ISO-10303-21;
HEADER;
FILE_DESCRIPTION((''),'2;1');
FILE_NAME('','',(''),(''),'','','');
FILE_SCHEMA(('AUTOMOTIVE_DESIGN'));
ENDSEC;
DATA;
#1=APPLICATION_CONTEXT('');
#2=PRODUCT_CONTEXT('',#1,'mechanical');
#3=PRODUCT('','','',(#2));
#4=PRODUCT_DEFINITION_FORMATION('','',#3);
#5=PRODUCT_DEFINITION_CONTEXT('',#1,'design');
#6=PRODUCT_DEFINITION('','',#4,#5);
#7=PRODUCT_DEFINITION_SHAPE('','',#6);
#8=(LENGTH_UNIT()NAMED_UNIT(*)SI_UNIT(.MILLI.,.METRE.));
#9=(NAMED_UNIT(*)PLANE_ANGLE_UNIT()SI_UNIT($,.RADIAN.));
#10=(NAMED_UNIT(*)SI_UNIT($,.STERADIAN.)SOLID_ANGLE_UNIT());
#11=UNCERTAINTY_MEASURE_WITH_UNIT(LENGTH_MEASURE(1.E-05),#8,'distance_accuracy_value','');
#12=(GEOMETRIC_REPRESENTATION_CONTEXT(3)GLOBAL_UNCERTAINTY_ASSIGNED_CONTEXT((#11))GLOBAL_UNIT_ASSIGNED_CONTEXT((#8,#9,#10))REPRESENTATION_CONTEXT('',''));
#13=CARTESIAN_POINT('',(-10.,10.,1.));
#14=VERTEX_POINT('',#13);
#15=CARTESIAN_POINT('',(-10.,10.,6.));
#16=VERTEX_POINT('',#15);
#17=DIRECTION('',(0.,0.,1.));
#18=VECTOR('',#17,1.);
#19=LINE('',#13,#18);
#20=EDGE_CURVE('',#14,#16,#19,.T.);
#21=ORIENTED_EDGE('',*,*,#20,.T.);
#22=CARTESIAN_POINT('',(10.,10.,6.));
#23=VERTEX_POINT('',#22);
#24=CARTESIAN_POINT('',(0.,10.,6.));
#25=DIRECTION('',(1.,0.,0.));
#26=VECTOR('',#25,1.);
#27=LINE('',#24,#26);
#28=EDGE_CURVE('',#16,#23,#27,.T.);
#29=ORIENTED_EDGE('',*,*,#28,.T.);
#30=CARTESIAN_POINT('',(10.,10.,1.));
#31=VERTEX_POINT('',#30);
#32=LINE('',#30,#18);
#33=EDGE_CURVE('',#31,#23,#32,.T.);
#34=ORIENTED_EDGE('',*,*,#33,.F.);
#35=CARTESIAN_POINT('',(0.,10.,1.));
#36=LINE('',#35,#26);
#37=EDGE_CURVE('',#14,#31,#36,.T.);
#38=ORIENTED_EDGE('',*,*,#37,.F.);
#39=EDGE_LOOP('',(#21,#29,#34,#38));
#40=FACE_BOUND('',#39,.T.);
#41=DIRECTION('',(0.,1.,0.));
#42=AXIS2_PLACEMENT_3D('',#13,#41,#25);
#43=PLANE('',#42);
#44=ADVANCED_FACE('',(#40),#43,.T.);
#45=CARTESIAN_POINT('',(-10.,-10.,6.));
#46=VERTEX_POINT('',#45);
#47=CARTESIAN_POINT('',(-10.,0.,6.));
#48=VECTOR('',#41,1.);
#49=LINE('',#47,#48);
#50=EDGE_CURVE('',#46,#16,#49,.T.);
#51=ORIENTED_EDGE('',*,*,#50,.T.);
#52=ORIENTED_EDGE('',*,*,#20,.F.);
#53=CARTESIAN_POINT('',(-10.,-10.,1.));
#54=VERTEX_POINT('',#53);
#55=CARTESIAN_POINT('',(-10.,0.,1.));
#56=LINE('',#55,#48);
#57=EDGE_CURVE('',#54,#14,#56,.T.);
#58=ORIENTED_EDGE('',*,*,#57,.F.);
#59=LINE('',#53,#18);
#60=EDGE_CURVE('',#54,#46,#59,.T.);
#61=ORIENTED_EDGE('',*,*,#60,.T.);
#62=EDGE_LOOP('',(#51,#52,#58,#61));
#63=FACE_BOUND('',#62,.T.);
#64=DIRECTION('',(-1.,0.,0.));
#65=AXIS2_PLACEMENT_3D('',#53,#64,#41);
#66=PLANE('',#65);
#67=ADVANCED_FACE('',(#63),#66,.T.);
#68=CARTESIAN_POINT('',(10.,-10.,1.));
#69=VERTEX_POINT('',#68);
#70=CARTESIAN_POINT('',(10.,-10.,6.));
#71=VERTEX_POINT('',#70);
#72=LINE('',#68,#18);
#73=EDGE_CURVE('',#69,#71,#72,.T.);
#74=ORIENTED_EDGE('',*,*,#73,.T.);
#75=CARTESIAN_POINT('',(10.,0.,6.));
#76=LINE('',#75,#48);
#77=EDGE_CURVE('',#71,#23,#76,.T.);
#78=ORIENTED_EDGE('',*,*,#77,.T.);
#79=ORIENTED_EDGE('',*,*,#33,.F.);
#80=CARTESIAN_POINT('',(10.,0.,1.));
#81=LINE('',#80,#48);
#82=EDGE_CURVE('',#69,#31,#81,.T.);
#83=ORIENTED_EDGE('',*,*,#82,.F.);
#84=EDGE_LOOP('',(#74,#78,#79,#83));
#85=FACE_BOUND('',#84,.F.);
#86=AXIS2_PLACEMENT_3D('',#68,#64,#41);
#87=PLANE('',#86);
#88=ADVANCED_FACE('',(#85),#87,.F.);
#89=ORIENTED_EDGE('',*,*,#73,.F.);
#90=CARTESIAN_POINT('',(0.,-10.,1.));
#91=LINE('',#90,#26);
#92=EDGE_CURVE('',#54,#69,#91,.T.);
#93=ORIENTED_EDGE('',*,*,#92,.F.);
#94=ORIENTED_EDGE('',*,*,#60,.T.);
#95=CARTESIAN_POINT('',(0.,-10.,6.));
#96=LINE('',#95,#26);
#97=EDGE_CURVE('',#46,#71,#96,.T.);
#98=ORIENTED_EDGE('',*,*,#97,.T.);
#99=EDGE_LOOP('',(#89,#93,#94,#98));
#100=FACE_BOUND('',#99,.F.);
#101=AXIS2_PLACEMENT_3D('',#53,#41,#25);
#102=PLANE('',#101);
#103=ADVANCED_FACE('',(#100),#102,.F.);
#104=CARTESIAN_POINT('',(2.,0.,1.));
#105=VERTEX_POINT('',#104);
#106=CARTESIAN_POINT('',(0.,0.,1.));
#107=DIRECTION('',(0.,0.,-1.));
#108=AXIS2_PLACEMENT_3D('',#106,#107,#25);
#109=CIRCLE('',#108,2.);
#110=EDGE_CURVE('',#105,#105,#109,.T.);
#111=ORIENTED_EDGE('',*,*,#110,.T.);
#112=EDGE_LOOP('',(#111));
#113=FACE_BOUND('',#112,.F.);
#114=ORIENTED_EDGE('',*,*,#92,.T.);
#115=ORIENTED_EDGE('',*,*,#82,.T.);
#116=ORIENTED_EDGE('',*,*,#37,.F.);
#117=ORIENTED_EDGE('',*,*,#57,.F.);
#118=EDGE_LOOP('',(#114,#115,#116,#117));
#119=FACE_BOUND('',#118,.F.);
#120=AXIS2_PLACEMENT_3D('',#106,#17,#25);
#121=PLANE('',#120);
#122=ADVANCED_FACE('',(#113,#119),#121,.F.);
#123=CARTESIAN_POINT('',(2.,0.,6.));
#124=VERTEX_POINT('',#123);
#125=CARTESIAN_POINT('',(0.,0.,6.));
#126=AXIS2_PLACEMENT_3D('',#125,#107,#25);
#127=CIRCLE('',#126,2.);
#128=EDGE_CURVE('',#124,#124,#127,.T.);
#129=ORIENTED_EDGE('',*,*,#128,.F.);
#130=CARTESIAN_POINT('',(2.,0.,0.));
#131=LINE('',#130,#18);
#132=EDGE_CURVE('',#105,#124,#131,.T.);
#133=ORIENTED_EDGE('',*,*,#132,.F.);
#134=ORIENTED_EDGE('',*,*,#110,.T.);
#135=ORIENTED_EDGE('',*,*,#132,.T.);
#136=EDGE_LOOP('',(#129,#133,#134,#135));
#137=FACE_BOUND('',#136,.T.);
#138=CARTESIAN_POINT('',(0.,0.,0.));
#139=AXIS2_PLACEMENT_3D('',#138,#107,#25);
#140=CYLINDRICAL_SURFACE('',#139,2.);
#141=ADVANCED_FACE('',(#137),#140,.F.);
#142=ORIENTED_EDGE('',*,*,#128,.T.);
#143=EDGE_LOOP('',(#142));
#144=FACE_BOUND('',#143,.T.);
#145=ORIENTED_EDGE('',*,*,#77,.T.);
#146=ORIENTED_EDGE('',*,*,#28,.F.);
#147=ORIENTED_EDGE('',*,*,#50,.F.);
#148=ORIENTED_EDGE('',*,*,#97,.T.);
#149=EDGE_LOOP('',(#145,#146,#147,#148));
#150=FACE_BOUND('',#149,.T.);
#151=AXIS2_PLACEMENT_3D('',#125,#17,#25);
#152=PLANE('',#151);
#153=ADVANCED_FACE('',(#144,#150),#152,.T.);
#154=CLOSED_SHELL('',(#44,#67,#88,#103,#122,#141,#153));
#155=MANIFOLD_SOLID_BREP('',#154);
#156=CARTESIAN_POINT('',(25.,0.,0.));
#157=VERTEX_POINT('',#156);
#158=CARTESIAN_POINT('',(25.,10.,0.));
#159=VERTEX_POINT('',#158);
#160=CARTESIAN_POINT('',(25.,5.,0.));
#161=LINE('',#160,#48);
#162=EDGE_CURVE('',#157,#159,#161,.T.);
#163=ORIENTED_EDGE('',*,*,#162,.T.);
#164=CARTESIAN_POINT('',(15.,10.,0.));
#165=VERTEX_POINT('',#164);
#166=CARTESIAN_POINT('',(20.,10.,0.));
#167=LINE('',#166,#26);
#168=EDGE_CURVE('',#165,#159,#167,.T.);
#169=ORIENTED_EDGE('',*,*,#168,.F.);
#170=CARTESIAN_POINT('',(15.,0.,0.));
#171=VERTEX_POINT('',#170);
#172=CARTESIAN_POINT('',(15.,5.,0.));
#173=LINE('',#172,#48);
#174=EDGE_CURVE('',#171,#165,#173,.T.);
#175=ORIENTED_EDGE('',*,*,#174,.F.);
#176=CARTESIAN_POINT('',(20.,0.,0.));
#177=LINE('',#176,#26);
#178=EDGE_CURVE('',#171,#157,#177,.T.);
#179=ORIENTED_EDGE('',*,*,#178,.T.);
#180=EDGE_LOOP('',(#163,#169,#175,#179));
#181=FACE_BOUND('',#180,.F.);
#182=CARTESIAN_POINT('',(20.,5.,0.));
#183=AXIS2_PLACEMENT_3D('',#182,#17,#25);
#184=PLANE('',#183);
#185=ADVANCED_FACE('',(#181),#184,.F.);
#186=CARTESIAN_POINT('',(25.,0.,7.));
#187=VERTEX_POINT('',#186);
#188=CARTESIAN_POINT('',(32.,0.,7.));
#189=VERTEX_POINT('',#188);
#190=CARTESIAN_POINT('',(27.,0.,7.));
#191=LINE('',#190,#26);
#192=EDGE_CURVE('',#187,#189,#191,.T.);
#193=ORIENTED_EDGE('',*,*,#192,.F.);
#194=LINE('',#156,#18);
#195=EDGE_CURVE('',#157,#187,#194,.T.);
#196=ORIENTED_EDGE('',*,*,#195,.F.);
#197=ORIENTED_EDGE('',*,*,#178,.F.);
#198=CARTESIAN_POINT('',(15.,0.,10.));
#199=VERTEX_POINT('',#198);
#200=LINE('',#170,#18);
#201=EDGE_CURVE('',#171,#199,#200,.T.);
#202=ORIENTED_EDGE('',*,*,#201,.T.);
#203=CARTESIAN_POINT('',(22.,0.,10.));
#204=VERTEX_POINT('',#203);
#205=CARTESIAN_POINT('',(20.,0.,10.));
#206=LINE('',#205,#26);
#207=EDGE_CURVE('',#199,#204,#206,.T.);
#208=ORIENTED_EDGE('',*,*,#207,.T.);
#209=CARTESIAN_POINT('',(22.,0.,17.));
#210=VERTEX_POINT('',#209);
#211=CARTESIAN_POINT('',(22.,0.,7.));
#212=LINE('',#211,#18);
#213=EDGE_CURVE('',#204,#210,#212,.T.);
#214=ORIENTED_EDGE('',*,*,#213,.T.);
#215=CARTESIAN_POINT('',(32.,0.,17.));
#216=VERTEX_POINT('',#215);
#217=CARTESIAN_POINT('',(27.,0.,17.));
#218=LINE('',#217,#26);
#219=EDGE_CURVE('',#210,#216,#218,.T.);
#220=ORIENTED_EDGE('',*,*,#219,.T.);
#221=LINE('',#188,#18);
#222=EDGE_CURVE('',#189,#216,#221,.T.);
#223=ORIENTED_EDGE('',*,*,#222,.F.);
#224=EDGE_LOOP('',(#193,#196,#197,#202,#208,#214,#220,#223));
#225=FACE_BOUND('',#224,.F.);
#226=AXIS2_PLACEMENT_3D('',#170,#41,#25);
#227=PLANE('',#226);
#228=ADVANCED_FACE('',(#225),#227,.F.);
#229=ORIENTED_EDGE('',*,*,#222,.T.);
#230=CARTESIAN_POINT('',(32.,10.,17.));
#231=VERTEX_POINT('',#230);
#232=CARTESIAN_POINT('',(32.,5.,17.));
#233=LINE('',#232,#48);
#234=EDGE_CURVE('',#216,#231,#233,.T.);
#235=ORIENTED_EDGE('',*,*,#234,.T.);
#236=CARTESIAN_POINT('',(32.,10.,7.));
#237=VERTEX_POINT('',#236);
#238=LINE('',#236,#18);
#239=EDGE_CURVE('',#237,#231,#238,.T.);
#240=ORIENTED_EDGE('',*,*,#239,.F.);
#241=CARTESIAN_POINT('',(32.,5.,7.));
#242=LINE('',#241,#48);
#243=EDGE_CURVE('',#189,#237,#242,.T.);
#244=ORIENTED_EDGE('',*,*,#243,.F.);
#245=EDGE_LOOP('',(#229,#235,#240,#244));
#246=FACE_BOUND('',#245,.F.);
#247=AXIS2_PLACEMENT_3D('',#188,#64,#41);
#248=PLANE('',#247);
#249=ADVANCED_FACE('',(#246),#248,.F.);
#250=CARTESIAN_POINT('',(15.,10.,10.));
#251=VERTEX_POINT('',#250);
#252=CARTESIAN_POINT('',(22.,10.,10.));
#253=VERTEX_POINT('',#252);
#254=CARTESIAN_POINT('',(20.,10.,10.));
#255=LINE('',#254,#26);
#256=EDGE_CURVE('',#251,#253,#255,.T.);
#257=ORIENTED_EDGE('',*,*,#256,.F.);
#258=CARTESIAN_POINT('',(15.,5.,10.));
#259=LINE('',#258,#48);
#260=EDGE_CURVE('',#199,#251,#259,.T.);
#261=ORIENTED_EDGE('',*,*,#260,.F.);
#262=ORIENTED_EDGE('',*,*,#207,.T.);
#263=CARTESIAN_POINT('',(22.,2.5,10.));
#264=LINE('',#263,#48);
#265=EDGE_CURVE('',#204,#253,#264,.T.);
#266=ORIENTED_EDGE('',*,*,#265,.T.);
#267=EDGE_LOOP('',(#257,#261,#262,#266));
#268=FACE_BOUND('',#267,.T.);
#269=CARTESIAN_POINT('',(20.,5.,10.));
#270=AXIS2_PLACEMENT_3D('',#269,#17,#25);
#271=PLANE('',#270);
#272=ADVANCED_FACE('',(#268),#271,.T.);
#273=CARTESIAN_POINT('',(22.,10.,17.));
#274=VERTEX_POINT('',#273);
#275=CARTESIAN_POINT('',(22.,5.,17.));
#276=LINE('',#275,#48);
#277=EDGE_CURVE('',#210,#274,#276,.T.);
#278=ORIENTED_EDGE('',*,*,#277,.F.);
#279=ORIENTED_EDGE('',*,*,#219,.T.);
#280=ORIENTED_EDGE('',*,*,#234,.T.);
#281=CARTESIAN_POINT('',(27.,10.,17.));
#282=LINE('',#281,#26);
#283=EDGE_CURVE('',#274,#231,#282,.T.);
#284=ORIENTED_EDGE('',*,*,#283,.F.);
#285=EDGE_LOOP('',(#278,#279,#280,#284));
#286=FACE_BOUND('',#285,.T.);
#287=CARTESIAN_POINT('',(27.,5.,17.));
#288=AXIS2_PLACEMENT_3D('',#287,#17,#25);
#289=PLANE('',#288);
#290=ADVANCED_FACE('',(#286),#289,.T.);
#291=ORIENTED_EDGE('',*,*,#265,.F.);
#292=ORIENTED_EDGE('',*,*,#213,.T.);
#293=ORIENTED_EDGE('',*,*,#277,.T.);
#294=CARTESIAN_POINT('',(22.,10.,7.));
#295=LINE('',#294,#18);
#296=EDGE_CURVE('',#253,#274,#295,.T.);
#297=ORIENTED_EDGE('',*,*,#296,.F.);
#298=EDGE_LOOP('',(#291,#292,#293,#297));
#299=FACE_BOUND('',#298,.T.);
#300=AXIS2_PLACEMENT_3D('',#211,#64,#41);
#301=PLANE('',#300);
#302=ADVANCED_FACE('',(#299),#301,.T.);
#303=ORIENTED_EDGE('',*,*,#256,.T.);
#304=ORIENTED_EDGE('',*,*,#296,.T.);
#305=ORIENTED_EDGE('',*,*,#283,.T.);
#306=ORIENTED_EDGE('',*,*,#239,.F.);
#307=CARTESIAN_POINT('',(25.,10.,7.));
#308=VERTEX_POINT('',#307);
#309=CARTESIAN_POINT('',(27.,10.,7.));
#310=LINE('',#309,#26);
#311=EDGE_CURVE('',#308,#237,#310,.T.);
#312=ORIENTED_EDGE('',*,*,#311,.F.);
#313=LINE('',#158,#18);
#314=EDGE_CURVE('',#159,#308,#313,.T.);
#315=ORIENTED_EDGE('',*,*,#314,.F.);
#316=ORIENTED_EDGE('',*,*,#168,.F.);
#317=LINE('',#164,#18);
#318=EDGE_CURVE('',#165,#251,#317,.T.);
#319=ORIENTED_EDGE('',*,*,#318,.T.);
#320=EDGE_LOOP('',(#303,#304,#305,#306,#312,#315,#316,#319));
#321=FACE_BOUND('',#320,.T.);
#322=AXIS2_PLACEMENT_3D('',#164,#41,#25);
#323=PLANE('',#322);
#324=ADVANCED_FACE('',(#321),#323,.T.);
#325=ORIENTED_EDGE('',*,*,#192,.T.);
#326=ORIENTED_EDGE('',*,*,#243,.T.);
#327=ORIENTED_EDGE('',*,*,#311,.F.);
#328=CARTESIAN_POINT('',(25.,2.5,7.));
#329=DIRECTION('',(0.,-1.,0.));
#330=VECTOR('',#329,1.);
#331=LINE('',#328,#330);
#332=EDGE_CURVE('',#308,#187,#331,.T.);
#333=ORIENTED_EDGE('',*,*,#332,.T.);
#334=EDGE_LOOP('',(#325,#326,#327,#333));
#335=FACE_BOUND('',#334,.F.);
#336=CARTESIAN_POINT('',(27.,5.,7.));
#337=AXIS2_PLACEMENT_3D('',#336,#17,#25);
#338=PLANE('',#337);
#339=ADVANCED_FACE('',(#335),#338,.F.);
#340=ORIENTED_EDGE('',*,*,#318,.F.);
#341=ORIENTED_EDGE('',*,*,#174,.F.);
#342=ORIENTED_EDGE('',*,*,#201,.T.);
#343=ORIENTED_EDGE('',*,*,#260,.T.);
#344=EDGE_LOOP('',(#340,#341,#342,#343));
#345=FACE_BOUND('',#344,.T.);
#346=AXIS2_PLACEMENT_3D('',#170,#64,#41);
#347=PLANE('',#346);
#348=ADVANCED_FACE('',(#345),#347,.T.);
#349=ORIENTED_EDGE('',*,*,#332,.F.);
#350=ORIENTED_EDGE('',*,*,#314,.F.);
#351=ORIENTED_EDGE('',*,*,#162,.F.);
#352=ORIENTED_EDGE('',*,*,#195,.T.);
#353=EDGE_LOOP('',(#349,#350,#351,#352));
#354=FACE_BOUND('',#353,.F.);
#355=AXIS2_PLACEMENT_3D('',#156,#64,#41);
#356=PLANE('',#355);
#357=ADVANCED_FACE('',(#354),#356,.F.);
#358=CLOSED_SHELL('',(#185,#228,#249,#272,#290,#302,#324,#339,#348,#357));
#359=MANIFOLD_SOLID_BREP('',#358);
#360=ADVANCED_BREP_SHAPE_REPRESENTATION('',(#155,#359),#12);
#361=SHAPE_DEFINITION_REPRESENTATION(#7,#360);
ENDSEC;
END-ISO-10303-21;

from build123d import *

# Parameters (mm, degrees)
CYLINDER_R     = 2
CYLINDER_DEPTH = 10
BOX_W          = 20
BOX_H          = 20
BOX_DEPTH      = 5
BOX001_W       = 10
BOX001_H       = 10
BOX001_DEPTH   = 10
BOX002_W       = 10
BOX002_H       = 10
BOX002_DEPTH   = 10


with BuildPart() as cylinder:
    # Cylinder → Cylinder (new body)
    with BuildSketch(Plane.XY):
        Circle(CYLINDER_R)
    extrude(amount=CYLINDER_DEPTH)


with BuildPart() as cut:
    # Box → Box (new body)
    with BuildSketch(Plane(origin=(-10, -10, 1), x_dir=(1, 0, 0), z_dir=(0, 0, 1))):
        with Locations((10, 10)):
            Rectangle(BOX_W, BOX_H)
    extrude(amount=BOX_DEPTH)

    # Cut: cut Cylinder
    add(cylinder.part, mode=Mode.SUBTRACT)


with BuildPart() as cube001:
    # Box001 → Box001 (new body)
    with BuildSketch(Plane(origin=(15, 0, 0), x_dir=(1, 0, 0), z_dir=(0, 0, 1))):
        with Locations((5, 5)):
            Rectangle(BOX001_W, BOX001_H)
    extrude(amount=BOX001_DEPTH)


with BuildPart() as fusion:
    # Box002 → Box002 (new body)
    with BuildSketch(Plane(origin=(22, 0, 7), x_dir=(1, 0, 0), z_dir=(0, 0, 1))):
        with Locations((5, 5)):
            Rectangle(BOX002_W, BOX002_H)
    extrude(amount=BOX002_DEPTH)

    # Fusion: union Cube001
    add(cube001.part)


solid = Compound([cut.part, fusion.part])
